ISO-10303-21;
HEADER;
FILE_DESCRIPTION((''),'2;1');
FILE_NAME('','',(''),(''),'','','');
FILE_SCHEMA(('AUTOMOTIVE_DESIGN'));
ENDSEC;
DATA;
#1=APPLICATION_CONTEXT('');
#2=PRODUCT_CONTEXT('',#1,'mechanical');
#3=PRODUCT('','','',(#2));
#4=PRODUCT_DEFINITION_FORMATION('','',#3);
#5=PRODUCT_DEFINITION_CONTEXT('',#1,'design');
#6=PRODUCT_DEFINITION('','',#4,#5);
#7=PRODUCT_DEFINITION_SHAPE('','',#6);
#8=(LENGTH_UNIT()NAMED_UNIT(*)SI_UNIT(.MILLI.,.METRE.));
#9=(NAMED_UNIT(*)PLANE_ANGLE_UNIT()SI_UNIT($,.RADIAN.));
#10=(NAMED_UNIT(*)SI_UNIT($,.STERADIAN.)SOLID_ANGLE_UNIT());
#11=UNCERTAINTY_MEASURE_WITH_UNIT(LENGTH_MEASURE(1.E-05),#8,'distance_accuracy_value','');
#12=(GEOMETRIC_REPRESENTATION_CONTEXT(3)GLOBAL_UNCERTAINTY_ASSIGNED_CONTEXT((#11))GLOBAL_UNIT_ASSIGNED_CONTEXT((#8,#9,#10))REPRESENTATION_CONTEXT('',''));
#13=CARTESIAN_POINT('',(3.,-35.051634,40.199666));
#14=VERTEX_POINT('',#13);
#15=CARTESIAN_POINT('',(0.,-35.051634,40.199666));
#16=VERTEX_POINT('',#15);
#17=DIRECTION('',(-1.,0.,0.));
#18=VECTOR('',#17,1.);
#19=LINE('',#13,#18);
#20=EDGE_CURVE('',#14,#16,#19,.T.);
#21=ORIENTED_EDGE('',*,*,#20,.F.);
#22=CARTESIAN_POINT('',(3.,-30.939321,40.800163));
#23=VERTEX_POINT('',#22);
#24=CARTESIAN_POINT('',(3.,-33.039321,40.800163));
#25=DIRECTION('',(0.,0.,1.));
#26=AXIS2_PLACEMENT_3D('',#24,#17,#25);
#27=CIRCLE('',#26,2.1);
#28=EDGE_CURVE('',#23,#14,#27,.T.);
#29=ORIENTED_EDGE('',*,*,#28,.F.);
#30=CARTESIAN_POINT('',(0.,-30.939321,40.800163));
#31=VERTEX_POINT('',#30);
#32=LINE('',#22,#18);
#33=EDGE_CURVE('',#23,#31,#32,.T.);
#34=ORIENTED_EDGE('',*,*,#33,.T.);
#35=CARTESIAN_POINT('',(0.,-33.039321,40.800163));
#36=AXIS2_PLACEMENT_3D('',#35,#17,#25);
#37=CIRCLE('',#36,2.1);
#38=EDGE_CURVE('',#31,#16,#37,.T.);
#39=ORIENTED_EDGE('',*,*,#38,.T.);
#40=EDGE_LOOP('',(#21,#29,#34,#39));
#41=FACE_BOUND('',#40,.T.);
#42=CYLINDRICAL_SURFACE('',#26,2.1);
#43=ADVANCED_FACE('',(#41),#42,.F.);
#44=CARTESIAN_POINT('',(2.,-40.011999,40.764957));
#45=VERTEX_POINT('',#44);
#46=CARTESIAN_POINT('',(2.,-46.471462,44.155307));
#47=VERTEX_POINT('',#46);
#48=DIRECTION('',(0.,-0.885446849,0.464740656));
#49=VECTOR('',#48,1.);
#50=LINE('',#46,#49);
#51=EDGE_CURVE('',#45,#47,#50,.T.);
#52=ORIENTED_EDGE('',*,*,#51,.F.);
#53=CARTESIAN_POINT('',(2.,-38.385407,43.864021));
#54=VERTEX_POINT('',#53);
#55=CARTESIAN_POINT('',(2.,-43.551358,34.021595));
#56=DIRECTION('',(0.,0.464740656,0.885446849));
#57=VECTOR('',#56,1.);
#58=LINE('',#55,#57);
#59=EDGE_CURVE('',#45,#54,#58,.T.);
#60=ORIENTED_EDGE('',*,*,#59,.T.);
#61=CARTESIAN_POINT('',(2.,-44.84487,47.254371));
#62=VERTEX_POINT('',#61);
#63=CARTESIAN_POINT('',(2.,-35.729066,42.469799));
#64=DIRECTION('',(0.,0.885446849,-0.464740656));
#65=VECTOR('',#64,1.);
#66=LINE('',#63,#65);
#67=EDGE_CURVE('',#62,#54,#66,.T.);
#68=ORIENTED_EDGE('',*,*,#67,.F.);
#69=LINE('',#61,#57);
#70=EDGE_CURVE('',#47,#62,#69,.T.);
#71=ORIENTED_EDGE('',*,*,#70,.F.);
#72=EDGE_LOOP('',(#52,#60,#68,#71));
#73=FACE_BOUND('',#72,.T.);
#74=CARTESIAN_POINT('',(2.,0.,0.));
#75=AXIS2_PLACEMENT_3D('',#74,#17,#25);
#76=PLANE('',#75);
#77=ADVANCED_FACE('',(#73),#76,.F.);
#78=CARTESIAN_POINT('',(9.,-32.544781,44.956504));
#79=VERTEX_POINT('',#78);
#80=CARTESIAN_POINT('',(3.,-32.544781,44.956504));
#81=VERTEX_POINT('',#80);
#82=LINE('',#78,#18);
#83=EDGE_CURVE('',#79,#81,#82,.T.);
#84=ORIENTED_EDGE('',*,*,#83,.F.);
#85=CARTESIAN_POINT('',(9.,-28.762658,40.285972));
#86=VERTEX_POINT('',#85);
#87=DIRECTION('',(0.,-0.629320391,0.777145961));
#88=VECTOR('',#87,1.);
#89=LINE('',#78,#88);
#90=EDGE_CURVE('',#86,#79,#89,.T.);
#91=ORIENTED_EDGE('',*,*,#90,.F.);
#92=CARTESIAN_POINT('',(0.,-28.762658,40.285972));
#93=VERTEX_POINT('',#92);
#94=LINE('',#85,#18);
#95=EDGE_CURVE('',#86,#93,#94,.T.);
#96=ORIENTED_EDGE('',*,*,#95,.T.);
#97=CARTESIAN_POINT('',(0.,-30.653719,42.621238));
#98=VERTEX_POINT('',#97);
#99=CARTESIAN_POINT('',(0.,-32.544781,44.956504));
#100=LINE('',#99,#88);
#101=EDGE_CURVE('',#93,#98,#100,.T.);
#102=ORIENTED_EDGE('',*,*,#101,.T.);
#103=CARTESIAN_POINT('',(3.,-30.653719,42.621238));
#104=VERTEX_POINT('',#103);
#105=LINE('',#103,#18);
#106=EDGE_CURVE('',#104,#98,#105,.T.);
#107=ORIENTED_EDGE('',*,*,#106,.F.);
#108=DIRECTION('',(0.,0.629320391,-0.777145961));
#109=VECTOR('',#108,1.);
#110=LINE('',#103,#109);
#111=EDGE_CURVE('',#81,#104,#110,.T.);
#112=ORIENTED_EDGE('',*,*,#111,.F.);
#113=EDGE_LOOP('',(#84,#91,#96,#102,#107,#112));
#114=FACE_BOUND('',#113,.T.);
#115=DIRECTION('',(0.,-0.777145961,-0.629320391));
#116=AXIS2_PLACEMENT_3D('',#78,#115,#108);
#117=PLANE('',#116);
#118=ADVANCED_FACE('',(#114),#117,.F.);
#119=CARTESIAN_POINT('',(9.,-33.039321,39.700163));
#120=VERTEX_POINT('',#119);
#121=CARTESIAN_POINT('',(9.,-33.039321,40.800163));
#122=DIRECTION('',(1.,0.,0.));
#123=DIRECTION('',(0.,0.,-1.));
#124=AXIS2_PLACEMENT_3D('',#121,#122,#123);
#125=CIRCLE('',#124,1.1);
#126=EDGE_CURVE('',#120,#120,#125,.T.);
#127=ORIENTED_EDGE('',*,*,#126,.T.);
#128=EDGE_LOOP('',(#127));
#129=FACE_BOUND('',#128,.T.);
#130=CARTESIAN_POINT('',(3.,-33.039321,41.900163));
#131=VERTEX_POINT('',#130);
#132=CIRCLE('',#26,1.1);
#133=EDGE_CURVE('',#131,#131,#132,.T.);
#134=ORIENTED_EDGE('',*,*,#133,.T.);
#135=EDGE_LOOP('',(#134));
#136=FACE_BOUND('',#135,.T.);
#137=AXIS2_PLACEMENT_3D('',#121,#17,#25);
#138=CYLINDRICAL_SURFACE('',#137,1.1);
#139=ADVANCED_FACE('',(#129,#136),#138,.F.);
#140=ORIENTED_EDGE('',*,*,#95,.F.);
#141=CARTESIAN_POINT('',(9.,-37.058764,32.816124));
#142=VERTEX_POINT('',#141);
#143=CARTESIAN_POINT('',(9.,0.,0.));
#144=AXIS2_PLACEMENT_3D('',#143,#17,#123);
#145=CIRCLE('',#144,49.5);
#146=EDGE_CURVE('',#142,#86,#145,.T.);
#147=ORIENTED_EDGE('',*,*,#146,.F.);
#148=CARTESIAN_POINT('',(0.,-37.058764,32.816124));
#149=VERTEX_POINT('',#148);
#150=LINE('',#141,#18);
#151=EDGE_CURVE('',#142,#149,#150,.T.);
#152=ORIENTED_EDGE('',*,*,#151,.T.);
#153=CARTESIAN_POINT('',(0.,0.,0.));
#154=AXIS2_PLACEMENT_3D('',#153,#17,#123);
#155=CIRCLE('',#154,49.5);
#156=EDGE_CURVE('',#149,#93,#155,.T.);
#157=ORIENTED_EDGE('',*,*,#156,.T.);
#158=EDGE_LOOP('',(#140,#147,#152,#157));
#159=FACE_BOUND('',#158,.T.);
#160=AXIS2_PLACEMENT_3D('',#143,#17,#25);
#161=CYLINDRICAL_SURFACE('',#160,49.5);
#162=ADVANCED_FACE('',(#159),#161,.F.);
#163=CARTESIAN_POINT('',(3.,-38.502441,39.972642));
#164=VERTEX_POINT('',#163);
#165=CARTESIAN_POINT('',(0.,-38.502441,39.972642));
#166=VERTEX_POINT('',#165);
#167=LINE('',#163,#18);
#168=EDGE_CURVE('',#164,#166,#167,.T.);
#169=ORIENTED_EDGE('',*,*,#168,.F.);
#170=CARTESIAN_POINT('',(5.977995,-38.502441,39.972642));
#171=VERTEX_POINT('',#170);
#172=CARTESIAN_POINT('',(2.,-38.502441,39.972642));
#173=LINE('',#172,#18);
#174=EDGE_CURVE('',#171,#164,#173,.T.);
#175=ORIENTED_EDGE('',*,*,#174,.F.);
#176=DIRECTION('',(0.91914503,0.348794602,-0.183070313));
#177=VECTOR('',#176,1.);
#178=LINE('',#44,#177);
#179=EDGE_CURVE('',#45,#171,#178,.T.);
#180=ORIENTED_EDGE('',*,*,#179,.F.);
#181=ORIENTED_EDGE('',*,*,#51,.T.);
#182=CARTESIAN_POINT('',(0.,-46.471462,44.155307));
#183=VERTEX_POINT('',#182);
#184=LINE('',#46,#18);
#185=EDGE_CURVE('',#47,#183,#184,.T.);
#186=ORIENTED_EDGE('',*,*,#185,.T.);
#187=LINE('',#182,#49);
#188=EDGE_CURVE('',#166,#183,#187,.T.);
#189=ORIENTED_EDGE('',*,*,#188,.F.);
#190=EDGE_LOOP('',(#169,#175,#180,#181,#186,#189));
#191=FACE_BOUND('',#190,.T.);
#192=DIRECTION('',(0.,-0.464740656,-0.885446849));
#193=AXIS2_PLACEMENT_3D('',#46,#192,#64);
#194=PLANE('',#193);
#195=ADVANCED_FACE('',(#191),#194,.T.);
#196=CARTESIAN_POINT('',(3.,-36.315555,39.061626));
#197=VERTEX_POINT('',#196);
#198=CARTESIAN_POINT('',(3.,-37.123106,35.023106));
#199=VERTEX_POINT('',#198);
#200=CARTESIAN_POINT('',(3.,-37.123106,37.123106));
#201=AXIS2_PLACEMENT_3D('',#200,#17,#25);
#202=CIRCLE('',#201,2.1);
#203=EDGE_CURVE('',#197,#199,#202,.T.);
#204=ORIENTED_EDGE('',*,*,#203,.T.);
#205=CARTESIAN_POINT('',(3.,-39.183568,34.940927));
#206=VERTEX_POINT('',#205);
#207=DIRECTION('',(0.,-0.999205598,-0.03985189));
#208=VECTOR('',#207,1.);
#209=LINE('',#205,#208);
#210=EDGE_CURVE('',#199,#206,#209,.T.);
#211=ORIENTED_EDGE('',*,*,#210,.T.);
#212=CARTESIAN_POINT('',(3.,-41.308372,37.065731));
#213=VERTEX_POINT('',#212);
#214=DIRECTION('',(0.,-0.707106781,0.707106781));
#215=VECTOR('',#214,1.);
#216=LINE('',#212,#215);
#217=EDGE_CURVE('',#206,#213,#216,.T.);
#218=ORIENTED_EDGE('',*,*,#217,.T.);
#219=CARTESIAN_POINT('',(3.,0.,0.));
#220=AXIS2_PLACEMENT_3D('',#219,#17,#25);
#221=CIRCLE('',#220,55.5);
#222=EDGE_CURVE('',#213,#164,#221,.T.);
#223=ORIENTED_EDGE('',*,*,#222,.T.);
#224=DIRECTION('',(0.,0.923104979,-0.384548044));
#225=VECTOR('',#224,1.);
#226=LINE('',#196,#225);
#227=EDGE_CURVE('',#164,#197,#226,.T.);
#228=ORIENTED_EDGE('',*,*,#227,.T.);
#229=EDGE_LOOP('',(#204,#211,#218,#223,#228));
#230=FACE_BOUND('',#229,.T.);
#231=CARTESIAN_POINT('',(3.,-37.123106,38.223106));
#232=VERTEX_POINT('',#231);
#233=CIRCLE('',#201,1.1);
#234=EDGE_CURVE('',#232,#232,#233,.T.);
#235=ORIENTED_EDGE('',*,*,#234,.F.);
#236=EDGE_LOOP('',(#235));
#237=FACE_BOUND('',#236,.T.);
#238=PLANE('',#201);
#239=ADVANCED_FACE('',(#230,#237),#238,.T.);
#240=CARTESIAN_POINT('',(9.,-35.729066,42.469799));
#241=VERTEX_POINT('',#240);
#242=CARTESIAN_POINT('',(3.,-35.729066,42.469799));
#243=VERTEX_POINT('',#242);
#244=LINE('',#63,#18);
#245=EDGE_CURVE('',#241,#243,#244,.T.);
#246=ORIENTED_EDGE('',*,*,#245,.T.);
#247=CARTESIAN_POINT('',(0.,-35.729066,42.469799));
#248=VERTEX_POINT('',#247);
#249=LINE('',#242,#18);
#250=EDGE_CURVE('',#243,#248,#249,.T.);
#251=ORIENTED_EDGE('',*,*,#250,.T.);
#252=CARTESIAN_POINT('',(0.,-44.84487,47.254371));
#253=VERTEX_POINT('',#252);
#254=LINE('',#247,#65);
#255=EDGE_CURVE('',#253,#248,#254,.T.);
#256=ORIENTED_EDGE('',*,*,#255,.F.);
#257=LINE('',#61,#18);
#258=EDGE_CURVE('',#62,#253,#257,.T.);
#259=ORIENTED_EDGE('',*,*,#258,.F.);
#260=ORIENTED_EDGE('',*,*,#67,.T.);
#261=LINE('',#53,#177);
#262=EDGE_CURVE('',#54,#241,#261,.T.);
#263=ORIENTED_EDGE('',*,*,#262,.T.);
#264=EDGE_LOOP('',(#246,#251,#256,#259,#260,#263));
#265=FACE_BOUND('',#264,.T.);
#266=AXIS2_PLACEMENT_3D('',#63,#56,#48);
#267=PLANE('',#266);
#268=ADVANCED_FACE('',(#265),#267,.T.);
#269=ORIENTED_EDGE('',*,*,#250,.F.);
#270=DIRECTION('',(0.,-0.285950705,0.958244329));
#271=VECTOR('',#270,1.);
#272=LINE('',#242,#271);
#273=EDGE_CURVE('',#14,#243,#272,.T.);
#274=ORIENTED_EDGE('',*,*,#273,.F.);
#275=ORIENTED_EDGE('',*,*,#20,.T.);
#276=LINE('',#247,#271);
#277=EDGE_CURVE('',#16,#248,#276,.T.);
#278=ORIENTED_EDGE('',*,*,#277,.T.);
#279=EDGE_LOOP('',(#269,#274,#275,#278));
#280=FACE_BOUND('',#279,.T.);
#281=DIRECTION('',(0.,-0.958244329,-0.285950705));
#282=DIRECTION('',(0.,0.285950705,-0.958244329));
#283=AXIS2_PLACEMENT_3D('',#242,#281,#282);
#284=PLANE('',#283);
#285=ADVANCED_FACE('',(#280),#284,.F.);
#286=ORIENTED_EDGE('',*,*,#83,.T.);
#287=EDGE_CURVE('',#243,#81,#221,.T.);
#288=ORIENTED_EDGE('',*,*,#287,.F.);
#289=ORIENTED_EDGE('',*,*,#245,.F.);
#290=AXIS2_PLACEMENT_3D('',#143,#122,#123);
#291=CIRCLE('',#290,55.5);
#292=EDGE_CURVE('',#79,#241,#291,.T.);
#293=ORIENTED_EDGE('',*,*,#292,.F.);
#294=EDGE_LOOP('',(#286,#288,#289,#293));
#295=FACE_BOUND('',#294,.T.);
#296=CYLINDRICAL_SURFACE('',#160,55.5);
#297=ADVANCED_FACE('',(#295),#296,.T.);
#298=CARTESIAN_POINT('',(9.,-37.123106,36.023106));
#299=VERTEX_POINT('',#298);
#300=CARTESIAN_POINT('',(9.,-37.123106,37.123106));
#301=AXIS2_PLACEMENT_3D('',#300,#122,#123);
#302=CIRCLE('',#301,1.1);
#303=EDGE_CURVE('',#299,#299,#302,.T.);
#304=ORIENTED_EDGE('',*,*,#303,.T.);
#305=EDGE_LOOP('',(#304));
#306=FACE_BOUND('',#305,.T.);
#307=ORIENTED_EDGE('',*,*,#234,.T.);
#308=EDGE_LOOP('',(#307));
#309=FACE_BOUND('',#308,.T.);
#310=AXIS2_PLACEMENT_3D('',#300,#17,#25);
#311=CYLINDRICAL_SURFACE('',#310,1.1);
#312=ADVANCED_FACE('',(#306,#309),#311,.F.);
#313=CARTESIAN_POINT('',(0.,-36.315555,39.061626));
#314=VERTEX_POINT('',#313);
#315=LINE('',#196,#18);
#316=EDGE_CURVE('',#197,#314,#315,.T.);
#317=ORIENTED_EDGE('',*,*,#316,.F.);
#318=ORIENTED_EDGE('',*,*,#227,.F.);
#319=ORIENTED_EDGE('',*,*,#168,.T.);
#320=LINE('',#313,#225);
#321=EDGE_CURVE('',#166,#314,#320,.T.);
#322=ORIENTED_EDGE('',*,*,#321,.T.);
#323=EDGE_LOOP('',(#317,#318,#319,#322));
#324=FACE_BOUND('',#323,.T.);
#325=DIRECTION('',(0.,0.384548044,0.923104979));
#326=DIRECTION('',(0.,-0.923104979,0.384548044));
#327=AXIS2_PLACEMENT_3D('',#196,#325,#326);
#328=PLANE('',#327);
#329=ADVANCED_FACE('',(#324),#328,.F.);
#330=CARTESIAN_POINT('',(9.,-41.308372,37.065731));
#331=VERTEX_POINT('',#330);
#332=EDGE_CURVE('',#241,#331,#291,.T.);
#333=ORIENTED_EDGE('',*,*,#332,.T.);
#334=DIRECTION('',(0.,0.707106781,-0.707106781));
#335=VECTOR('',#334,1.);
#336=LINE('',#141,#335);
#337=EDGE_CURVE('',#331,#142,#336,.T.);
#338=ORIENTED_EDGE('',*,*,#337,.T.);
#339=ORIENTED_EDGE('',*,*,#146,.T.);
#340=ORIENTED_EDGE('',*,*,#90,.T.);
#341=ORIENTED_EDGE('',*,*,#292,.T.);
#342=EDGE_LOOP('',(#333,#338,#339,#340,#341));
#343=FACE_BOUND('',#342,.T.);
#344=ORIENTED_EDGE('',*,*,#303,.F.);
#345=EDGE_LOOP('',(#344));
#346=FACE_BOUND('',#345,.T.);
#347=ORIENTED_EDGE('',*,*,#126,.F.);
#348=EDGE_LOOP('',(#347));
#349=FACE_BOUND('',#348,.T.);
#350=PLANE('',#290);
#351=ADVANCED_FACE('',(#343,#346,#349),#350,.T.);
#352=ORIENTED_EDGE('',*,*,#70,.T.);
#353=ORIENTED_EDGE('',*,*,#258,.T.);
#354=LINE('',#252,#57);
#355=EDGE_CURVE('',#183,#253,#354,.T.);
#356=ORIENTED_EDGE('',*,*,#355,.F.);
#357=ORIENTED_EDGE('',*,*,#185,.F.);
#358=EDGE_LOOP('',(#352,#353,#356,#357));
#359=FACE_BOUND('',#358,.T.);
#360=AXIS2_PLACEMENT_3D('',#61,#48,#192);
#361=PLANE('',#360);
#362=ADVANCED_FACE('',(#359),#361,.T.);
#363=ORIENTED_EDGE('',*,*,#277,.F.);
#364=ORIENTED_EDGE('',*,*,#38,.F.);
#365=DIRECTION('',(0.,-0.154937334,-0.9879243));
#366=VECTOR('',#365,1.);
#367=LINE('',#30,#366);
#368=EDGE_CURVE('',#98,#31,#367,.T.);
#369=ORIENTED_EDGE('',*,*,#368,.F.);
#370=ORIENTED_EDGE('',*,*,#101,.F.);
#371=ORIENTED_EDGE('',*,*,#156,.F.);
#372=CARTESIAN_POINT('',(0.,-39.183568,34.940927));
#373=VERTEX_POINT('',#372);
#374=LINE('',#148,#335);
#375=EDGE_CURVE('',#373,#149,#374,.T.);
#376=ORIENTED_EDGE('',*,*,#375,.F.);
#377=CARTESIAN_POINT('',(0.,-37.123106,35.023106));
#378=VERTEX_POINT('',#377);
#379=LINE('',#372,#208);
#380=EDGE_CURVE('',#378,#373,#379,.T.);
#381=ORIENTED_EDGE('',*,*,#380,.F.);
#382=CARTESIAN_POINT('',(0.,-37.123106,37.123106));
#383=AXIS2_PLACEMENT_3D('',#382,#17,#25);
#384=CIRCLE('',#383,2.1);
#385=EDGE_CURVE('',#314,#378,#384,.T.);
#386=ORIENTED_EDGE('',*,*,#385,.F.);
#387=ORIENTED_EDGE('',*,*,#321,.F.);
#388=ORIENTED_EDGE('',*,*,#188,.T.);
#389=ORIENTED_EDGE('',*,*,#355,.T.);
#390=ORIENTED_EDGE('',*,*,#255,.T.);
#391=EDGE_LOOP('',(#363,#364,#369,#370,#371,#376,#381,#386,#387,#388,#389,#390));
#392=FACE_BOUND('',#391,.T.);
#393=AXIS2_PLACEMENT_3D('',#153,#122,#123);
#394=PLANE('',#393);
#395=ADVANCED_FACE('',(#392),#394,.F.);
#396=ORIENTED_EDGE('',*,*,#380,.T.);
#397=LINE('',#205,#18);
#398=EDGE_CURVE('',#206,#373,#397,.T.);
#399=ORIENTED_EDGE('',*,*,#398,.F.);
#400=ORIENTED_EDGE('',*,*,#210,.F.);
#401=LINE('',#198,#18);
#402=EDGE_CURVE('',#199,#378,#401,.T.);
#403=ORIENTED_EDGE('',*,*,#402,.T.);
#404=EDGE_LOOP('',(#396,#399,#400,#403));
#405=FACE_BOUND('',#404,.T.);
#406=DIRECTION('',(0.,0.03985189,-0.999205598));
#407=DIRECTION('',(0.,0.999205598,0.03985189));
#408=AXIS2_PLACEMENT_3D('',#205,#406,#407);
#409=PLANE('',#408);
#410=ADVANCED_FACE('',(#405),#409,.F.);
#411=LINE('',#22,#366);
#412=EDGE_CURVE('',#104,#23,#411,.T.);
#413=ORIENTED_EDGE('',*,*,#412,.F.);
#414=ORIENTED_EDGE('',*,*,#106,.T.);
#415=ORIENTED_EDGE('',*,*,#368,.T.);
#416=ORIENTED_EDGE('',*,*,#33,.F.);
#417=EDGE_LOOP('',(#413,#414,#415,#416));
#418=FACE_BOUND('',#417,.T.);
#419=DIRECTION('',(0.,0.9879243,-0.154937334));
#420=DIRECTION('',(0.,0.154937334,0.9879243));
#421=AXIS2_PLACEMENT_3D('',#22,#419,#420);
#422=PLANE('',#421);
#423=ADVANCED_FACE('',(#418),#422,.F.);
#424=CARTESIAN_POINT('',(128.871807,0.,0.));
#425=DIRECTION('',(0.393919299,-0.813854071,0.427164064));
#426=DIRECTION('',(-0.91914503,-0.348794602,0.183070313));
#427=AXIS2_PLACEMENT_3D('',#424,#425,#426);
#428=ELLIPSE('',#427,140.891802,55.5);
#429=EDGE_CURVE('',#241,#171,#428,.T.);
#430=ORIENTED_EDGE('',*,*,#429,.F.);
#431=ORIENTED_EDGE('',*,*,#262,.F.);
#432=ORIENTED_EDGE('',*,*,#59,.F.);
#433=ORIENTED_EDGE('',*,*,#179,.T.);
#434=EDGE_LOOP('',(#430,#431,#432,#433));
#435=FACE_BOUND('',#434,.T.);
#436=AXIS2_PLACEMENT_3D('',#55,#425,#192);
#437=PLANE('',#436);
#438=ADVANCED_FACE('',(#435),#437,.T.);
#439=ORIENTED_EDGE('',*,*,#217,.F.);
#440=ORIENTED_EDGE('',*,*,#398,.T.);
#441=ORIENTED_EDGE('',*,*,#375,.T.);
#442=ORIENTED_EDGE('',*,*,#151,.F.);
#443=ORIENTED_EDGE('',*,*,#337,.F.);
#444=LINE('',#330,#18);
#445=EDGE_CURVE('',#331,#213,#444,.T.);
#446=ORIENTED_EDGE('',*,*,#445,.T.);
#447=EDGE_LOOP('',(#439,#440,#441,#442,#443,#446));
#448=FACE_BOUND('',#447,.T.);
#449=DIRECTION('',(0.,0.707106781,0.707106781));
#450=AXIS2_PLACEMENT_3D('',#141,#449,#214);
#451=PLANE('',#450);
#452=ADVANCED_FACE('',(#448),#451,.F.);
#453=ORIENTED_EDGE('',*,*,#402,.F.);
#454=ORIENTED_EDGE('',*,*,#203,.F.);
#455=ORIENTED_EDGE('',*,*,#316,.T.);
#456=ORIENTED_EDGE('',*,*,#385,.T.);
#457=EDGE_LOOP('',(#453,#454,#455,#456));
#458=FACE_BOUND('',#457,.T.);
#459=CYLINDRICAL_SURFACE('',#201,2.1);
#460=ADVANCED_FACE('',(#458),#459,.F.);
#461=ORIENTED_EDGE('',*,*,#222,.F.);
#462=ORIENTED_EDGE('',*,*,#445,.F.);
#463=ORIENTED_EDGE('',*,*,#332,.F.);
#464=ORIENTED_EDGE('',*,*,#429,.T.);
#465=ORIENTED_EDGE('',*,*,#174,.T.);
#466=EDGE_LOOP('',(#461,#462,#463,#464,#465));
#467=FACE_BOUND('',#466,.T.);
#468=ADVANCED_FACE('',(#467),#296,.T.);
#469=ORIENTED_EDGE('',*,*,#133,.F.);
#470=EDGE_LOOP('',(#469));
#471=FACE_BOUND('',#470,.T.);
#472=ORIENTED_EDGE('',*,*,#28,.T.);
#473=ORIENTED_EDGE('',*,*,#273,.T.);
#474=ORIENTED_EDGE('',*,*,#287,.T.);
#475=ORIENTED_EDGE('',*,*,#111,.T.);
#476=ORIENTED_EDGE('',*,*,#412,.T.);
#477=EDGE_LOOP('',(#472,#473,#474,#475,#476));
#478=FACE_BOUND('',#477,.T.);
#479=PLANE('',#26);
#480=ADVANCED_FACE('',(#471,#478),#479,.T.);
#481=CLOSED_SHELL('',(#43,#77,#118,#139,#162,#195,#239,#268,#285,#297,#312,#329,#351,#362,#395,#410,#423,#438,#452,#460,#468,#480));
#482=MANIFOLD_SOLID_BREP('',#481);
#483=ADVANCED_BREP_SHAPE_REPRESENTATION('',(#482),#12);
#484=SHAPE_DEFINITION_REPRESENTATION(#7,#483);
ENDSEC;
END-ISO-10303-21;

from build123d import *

# Parameters (mm, degrees)
SKETCH_1_R          = 1.1
EXTRUDE_1_DEPTH     = 9
EXTRUDE_2_DEPTH     = 2
EXTRUDE_3_DEPTH     = 3.5
CUT_EXTRUDE_1_DEPTH = 3


with BuildPart() as part:
    # 草图1 → 凸台-拉伸1 (new body)
    with BuildSketch(Plane(origin=(0, 0, 0), x_dir=(0, 0, -1), z_dir=(1, 0, 0))):
        with BuildLine():
            Line((-44.956504104, -32.544780514), (-40.285971637, -28.762657896))
            ThreePointArc((-40.285971637, -28.762657896), (-36.785668861, -33.121965015), (-32.816123753, -37.05876444))
            Line((-32.816123753, -37.05876444), (-37.065731089, -41.308371776))
            ThreePointArc((-37.065731089, -41.308371776), (-41.244537814, -37.136748653), (-44.956504104, -32.544780514))
        make_face()
        with Locations((-40.800162976, -33.03932053)):
            Circle(SKETCH_1_R, mode=Mode.SUBTRACT)
        with Locations((-37.123106012, -37.123106012)):
            Circle(SKETCH_1_R, mode=Mode.SUBTRACT)
    extrude(amount=EXTRUDE_1_DEPTH)

    # 草图2 → 凸台-拉伸2 (add)
    with BuildSketch(Plane.ZY):
        with BuildLine():
            Line((42.469798969, -35.729066257), (47.254371389, -44.844869924))
            Line((47.254371389, -44.844869924), (44.155307417, -46.47146222))
            Line((44.155307417, -46.47146222), (39.972641515, -38.502440576))
            ThreePointArc((39.972641515, -38.502440576), (41.244537814, -37.136748653), (42.469798969, -35.729066257))
        make_face()
    extrude(amount=-EXTRUDE_2_DEPTH)

    # 草图3 → 凸台-拉伸3 (add)
    with BuildSketch(Plane(origin=(0, 9.759553772, 18.594383834), x_dir=(1, 0, 0), z_dir=(0, 0.4647406558327103, 0.8854468492327375))):
        Polygon((2, -51.373631369), (2, -54.373631369), (9, -51.373631369), align=None)
    extrude(amount=-EXTRUDE_3_DEPTH)

    # 草图4 → 切除-拉伸1 (cut)
    with BuildSketch(Plane.ZY):
        with BuildLine():
            Line((40.800162976, -30.93932053), (42.621237871, -30.653719205))
            Line((42.621237871, -30.653719205), (44.956504104, -32.544780514))
            ThreePointArc((44.956504104, -32.544780514), (43.74213685, -34.159558894), (42.469798969, -35.729066257))
            Line((42.469798969, -35.729066257), (40.199666496, -35.051633621))
            ThreePointArc((40.199666496, -35.051633621), (38.722200333, -32.735888076), (40.800162976, -30.93932053))
        make_face()
        with BuildLine():
            Line((34.940927421, -39.183568108), (35.023106012, -37.123106012))
            ThreePointArc((35.023106012, -37.123106012), (36.71133724, -35.063871573), (39.061626467, -36.315555119))
            Line((39.061626467, -36.315555119), (39.972641515, -38.502440576))
            ThreePointArc((39.972641515, -38.502440576), (38.544727601, -39.93186665), (37.065731089, -41.308371776))
            Line((37.065731089, -41.308371776), (34.940927421, -39.183568108))
        make_face()
    extrude(amount=-CUT_EXTRUDE_1_DEPTH, mode=Mode.SUBTRACT)


solid = part.part
